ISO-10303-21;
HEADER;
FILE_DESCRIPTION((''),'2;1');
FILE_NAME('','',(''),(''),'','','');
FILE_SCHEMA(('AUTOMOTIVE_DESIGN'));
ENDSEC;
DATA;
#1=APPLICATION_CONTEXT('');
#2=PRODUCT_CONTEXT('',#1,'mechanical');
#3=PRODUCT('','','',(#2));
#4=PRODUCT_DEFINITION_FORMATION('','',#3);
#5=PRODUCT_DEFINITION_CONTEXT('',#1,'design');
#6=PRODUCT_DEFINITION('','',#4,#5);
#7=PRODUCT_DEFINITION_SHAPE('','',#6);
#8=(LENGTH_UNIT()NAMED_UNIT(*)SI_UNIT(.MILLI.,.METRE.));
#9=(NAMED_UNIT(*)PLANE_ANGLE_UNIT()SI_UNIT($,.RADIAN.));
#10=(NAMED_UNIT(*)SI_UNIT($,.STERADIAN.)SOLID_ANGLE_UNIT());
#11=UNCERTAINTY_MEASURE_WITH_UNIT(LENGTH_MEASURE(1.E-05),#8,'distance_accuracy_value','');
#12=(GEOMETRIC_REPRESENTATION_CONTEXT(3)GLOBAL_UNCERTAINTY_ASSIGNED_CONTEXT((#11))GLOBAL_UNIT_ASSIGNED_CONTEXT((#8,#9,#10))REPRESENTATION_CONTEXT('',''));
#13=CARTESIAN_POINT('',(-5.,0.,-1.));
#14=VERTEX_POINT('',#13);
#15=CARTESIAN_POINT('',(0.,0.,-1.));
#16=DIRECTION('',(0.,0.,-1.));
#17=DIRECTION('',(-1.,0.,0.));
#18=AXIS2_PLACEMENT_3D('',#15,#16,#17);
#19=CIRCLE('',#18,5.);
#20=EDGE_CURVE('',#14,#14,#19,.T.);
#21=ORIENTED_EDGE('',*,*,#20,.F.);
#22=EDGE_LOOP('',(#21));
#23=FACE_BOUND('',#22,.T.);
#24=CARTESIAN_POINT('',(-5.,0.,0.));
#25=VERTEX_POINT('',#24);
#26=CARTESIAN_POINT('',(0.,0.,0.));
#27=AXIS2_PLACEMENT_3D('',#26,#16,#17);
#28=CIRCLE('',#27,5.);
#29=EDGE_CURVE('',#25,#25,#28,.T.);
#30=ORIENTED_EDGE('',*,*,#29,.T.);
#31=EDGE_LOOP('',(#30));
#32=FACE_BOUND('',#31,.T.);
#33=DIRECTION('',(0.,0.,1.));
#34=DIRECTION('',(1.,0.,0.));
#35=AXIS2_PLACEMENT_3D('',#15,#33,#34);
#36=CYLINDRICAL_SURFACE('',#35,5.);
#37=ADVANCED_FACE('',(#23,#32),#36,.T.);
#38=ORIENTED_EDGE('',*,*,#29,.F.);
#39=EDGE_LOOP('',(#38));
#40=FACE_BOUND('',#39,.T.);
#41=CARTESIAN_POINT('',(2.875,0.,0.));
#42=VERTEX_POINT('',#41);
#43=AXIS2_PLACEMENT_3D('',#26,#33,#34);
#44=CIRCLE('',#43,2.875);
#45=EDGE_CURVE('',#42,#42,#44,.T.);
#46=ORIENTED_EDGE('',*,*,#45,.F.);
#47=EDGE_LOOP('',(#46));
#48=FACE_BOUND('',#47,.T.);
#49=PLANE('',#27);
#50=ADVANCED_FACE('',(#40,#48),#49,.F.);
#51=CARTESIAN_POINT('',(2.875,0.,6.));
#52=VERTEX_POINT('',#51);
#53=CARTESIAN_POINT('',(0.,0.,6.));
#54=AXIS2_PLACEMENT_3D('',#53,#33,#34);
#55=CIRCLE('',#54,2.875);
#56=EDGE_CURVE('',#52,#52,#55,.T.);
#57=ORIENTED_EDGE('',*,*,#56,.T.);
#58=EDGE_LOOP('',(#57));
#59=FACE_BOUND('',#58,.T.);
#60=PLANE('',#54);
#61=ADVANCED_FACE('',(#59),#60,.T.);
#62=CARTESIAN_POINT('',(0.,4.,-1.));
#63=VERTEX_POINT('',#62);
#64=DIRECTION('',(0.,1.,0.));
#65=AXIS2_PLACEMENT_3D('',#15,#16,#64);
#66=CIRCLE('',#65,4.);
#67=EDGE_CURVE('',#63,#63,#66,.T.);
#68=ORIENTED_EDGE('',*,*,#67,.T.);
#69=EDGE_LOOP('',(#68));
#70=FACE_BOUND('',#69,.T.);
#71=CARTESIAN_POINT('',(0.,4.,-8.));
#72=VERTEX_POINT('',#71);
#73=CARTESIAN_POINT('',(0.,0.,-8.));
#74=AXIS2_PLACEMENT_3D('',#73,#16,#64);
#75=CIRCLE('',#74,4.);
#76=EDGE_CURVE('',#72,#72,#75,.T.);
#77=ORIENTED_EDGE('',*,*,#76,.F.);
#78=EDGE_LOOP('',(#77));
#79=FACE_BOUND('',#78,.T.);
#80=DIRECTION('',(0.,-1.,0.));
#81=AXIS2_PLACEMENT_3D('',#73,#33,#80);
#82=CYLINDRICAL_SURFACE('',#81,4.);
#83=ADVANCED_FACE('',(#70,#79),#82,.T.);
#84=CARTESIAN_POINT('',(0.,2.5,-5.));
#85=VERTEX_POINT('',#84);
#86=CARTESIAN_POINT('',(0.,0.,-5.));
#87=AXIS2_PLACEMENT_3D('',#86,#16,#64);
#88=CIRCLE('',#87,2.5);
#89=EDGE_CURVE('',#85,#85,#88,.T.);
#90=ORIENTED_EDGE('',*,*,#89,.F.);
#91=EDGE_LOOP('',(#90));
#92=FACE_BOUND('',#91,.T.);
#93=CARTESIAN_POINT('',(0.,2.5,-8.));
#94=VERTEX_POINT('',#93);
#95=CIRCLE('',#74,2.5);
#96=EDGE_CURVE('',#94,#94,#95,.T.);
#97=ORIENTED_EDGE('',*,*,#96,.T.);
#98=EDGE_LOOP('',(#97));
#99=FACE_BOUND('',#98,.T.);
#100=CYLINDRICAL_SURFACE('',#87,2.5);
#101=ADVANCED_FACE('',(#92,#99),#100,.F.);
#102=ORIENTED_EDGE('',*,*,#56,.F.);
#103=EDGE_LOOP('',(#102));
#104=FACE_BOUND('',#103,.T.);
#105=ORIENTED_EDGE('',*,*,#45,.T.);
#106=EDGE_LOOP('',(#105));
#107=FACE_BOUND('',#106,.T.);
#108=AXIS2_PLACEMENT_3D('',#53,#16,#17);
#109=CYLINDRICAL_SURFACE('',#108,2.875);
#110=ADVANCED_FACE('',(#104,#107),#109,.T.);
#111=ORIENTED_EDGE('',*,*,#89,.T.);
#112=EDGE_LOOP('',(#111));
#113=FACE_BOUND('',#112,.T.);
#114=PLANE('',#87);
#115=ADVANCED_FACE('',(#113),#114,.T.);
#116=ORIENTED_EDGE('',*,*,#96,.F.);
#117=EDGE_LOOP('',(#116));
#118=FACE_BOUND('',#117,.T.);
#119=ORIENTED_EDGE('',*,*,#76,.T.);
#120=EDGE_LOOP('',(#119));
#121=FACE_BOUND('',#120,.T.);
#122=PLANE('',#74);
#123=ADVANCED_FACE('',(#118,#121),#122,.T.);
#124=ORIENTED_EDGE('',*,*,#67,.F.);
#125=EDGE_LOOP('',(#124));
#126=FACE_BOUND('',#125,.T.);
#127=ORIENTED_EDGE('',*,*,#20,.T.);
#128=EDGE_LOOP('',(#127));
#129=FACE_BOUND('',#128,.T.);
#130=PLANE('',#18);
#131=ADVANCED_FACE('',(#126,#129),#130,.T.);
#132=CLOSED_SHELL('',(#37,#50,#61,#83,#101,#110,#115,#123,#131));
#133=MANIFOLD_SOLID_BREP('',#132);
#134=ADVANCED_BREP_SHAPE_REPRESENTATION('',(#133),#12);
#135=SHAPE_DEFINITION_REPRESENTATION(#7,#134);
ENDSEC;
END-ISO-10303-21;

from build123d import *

# Parameters (mm, degrees)
SKETCH13_R          = 5
BOSS_EXTRUDE5_DEPTH = 1
SKETCH14_R          = 4
BOSS_EXTRUDE6_DEPTH = 7
SKETCH15_R          = 2.5
CUT_EXTRUDE5_DEPTH  = 3
SKETCH16_R          = 2.875
BOSS_EXTRUDE7_DEPTH = 6


with BuildPart() as part:
    # Sketch13 → Boss-Extrude5 (new body)
    with BuildSketch(Plane(origin=(0, 5, 0), x_dir=(1, 0, 0), z_dir=(0, 0, -1))):
        with Locations(Location((0, 5, 0), (0, 0, 180))):
            Circle(SKETCH13_R)
    extrude(amount=BOSS_EXTRUDE5_DEPTH)

    # Sketch14 → Boss-Extrude6 (add)
    with BuildSketch(Plane(origin=(0, 0, -1), x_dir=(1, 0, 0), z_dir=(0, 0, -1))):
        with Locations(Location((0, 0, 0), (0, 0, 270))):
            Circle(SKETCH14_R)
    extrude(amount=BOSS_EXTRUDE6_DEPTH)

    # Sketch15 → Cut-Extrude5 (cut)
    with BuildSketch(Plane(origin=(0, 0, -8), x_dir=(1, 0, 0), z_dir=(0, 0, -1))):
        with Locations(Location((0, 0, 0), (0, 0, 270))):
            Circle(SKETCH15_R)
    extrude(amount=-CUT_EXTRUDE5_DEPTH, mode=Mode.SUBTRACT)

    # Sketch16 → Boss-Extrude7 (add)
    with BuildSketch(Plane.XY):
        Circle(SKETCH16_R)
    extrude(amount=BOSS_EXTRUDE7_DEPTH)


solid = part.part
